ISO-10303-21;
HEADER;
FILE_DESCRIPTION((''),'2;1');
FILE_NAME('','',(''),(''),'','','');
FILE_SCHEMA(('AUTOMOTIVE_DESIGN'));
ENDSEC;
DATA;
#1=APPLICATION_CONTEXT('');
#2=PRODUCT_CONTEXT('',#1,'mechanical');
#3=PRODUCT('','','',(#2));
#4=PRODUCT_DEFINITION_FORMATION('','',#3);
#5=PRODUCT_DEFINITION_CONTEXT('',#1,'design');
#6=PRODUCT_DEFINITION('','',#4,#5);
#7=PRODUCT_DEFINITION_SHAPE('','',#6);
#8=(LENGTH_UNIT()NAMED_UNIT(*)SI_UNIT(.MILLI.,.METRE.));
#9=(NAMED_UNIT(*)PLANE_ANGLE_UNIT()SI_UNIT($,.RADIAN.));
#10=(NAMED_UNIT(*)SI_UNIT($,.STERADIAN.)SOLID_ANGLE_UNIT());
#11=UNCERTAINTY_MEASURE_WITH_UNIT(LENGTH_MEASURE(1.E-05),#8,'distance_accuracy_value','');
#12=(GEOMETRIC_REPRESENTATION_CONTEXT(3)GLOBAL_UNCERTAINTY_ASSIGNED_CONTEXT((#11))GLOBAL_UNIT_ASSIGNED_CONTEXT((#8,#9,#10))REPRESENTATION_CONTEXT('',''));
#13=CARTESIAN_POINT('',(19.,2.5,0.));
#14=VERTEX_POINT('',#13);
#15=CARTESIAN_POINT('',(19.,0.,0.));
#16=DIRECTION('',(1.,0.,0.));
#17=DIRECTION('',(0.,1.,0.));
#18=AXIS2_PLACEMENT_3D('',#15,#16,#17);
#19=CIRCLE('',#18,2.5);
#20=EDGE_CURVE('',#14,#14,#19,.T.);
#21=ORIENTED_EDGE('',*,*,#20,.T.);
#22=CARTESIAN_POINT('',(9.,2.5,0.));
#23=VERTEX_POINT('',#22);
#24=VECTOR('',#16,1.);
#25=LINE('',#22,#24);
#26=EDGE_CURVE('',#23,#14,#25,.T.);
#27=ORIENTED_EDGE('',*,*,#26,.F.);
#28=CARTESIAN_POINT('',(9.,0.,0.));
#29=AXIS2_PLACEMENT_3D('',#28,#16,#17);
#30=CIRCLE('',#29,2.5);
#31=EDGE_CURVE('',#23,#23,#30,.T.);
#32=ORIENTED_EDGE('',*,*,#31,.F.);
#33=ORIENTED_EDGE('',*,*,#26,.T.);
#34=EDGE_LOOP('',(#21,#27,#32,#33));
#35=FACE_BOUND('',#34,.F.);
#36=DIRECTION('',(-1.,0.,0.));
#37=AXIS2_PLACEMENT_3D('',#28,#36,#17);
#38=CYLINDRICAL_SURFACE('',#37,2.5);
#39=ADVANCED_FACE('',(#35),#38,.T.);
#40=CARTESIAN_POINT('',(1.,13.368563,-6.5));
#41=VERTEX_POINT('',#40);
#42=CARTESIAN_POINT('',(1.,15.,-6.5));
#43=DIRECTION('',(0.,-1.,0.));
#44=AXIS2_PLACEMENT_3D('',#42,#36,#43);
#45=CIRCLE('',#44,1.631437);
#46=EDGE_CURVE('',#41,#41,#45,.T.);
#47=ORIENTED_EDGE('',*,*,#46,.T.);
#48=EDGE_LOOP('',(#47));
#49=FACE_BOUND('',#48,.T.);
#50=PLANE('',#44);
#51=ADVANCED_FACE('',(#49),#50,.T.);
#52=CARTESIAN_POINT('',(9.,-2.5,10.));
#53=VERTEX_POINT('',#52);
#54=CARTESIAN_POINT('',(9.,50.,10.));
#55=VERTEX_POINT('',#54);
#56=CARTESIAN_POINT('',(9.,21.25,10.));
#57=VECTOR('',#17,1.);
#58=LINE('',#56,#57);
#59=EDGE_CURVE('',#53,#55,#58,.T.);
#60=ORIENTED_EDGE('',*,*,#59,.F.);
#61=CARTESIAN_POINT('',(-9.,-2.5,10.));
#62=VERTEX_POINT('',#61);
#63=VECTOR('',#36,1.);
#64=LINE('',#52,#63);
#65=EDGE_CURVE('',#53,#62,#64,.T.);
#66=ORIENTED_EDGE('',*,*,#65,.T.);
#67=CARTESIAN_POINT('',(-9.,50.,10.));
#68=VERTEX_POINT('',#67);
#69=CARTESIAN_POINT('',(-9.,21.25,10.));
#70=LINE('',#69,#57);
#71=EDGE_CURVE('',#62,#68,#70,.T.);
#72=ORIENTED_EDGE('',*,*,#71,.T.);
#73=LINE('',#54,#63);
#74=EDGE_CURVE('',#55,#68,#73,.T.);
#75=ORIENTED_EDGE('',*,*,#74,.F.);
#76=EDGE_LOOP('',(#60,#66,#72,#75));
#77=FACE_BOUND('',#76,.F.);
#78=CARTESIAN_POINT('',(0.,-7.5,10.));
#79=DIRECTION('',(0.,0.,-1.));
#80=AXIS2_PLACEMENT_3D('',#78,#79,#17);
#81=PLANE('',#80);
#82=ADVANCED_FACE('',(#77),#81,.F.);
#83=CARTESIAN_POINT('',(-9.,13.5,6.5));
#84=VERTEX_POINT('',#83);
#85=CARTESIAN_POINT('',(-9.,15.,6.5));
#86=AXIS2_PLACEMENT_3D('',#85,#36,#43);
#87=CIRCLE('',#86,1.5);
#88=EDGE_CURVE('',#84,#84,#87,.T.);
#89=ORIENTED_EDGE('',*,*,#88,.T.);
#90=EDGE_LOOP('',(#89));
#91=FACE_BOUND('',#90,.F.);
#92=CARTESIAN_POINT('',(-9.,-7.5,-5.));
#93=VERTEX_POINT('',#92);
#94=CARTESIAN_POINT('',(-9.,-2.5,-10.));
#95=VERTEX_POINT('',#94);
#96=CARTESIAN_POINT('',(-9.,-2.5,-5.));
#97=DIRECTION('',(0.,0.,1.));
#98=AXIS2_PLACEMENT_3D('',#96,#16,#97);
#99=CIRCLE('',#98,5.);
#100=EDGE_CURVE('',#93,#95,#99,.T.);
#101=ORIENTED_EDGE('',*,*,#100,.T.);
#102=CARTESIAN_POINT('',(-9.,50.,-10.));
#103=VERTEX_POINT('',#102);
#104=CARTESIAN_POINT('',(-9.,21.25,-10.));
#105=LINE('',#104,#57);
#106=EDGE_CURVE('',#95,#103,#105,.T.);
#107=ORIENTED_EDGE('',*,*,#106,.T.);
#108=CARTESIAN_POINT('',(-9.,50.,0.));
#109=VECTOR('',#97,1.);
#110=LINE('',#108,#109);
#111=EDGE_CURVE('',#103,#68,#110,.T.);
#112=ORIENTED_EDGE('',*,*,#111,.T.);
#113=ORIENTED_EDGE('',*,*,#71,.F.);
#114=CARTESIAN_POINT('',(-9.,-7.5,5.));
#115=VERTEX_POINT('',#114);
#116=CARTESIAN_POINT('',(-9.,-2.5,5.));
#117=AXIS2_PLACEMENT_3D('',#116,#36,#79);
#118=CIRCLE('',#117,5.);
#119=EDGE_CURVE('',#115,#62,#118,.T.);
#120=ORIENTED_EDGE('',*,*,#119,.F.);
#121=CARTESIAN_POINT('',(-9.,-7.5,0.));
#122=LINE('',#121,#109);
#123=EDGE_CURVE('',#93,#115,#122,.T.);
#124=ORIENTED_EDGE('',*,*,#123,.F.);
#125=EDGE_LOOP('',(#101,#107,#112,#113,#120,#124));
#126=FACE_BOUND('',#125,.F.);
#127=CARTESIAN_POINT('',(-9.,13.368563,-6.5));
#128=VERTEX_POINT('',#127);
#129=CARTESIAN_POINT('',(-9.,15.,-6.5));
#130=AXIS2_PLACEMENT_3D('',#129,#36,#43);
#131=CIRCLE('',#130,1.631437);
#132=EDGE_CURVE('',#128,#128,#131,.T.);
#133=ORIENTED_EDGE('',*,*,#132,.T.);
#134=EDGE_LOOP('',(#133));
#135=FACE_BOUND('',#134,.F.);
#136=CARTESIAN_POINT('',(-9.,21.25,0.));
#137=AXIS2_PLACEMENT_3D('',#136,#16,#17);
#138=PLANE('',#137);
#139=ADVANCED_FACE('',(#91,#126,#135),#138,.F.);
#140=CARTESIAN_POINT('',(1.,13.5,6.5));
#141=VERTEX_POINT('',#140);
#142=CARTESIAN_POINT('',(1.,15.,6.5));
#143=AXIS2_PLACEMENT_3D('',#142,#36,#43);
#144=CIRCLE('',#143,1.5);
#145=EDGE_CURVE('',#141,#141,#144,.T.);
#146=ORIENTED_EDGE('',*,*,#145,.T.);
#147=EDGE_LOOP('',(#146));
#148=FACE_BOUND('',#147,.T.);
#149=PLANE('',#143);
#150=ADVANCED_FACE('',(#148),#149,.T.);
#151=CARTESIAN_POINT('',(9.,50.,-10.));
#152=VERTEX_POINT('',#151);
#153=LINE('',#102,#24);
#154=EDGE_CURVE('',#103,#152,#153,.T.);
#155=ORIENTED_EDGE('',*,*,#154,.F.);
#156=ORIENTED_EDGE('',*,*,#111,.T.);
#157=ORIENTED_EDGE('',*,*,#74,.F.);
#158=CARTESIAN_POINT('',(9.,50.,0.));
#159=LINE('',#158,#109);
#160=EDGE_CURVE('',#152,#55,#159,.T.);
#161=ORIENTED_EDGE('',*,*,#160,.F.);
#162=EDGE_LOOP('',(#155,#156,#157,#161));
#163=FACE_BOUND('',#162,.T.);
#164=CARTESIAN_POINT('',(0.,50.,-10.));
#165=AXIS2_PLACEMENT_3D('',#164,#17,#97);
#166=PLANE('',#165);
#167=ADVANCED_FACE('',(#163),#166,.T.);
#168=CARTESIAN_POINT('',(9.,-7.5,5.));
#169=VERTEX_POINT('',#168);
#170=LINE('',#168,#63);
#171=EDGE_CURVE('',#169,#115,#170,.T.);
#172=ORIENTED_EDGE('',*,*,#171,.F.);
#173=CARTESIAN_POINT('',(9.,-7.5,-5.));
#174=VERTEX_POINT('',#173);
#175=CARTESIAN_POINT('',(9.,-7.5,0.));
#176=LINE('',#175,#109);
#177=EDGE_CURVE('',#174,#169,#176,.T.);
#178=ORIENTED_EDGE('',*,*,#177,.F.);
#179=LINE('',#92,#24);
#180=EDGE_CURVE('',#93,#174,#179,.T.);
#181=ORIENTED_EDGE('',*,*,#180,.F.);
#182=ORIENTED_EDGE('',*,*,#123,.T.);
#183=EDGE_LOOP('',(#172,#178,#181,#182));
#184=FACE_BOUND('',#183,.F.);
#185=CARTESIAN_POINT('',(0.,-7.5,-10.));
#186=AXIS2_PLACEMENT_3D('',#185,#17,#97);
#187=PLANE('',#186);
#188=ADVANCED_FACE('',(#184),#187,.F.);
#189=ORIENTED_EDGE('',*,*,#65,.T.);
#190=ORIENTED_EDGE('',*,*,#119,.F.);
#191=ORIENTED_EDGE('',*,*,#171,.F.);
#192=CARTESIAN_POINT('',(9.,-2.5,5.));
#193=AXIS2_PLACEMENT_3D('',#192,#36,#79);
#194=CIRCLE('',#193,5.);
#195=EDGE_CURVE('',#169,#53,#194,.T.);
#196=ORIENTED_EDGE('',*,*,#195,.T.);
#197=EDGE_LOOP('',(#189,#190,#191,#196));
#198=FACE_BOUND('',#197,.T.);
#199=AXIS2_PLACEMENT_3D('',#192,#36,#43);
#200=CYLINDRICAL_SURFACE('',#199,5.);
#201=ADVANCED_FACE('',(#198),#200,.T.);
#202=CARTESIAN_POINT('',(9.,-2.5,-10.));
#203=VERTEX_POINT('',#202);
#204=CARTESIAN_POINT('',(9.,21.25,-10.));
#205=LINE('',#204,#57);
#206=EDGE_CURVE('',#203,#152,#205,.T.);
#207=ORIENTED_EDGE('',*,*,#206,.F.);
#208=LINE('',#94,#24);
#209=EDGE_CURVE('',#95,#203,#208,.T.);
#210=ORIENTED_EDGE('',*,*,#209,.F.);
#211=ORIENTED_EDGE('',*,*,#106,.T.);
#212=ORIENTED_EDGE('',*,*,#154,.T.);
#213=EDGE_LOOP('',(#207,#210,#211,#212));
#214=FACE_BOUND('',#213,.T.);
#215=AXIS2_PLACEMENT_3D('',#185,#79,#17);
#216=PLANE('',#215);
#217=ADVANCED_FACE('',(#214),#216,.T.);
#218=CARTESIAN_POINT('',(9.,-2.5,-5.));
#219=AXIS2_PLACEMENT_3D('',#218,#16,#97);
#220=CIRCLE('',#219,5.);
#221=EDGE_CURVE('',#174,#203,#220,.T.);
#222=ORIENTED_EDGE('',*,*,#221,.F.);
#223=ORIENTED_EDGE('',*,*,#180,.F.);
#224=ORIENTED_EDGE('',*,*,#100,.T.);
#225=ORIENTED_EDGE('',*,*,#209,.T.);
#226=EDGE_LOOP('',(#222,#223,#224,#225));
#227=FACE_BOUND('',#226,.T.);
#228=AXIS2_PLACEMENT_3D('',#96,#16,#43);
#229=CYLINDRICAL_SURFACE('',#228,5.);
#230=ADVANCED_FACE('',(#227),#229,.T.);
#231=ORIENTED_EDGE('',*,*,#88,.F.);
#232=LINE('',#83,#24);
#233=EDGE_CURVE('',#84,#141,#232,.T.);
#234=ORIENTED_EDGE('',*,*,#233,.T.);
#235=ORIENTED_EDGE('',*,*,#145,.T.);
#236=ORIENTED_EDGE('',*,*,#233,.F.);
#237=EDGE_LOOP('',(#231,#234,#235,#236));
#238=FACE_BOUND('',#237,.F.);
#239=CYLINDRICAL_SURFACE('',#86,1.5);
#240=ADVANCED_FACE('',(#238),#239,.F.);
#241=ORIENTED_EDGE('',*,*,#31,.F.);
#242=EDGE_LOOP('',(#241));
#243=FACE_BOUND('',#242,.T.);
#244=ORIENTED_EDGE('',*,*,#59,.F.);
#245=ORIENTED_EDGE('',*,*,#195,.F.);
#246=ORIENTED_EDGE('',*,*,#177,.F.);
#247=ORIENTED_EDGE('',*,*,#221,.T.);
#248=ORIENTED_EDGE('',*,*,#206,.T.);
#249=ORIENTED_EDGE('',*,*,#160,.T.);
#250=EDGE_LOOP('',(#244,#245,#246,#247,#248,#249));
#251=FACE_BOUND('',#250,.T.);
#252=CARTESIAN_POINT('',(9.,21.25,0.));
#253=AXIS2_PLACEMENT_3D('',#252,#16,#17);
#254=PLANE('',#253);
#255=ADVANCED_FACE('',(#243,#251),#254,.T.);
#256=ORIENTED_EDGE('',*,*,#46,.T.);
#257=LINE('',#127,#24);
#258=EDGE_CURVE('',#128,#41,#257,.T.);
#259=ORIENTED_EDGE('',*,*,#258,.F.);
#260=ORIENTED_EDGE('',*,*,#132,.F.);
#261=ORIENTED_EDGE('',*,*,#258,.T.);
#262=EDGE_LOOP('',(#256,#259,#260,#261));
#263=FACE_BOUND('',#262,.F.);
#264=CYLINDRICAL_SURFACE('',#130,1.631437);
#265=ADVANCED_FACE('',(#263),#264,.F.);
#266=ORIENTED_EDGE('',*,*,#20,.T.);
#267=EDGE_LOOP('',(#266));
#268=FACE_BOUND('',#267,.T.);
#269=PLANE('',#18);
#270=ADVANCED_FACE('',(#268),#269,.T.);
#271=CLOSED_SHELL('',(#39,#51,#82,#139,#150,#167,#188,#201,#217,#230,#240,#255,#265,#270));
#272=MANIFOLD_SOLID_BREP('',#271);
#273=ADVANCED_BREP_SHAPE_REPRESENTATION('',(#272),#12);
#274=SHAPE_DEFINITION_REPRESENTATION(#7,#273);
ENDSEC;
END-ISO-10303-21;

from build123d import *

# Parameters (mm, degrees)
F0_W     = 57.5
F0_H     = 20
F0_R     = 2.5
F1_DEPTH = 9
F2_R     = 5
F3_R     = 2.5
F4_DEPTH = 10
F5_R     = 1.5
F5_R_2   = 1.631437
F6_DEPTH = 10


with BuildPart() as f1:
    # F0 (on Right) → F1 (new body, symmetric)
    with BuildSketch(Plane.YZ):
        with Locations((21.25, 0)):
            Rectangle(F0_W, F0_H)
        Circle(F0_R, mode=Mode.SUBTRACT)
        Circle(F0_R)
    extrude(amount=F1_DEPTH, both=True)

    # F2
    f2_edges = [f1.edges().sort_by_distance(p)[0] for p in [
        (0, -7.5, 10),
        (0, -7.5, -10),
    ]]
    fillet(f2_edges, radius=F2_R)

    # F3 (on face) → F4 (join)
    with BuildSketch(Plane.YZ.offset(9)):
        Circle(F3_R)
    extrude(amount=F4_DEPTH)

    # F5 (on face) → F6 (cut)
    with BuildSketch(Plane(origin=(-9, 0, 0), x_dir=(0, -1, 0), z_dir=(-1, 0, 0))):
        with Locations((-15, 6.5)):
            Circle(F5_R)
        with Locations((-15, -6.5)):
            Circle(F5_R_2)
    extrude(amount=-F6_DEPTH, mode=Mode.SUBTRACT)


solid = f1.part
